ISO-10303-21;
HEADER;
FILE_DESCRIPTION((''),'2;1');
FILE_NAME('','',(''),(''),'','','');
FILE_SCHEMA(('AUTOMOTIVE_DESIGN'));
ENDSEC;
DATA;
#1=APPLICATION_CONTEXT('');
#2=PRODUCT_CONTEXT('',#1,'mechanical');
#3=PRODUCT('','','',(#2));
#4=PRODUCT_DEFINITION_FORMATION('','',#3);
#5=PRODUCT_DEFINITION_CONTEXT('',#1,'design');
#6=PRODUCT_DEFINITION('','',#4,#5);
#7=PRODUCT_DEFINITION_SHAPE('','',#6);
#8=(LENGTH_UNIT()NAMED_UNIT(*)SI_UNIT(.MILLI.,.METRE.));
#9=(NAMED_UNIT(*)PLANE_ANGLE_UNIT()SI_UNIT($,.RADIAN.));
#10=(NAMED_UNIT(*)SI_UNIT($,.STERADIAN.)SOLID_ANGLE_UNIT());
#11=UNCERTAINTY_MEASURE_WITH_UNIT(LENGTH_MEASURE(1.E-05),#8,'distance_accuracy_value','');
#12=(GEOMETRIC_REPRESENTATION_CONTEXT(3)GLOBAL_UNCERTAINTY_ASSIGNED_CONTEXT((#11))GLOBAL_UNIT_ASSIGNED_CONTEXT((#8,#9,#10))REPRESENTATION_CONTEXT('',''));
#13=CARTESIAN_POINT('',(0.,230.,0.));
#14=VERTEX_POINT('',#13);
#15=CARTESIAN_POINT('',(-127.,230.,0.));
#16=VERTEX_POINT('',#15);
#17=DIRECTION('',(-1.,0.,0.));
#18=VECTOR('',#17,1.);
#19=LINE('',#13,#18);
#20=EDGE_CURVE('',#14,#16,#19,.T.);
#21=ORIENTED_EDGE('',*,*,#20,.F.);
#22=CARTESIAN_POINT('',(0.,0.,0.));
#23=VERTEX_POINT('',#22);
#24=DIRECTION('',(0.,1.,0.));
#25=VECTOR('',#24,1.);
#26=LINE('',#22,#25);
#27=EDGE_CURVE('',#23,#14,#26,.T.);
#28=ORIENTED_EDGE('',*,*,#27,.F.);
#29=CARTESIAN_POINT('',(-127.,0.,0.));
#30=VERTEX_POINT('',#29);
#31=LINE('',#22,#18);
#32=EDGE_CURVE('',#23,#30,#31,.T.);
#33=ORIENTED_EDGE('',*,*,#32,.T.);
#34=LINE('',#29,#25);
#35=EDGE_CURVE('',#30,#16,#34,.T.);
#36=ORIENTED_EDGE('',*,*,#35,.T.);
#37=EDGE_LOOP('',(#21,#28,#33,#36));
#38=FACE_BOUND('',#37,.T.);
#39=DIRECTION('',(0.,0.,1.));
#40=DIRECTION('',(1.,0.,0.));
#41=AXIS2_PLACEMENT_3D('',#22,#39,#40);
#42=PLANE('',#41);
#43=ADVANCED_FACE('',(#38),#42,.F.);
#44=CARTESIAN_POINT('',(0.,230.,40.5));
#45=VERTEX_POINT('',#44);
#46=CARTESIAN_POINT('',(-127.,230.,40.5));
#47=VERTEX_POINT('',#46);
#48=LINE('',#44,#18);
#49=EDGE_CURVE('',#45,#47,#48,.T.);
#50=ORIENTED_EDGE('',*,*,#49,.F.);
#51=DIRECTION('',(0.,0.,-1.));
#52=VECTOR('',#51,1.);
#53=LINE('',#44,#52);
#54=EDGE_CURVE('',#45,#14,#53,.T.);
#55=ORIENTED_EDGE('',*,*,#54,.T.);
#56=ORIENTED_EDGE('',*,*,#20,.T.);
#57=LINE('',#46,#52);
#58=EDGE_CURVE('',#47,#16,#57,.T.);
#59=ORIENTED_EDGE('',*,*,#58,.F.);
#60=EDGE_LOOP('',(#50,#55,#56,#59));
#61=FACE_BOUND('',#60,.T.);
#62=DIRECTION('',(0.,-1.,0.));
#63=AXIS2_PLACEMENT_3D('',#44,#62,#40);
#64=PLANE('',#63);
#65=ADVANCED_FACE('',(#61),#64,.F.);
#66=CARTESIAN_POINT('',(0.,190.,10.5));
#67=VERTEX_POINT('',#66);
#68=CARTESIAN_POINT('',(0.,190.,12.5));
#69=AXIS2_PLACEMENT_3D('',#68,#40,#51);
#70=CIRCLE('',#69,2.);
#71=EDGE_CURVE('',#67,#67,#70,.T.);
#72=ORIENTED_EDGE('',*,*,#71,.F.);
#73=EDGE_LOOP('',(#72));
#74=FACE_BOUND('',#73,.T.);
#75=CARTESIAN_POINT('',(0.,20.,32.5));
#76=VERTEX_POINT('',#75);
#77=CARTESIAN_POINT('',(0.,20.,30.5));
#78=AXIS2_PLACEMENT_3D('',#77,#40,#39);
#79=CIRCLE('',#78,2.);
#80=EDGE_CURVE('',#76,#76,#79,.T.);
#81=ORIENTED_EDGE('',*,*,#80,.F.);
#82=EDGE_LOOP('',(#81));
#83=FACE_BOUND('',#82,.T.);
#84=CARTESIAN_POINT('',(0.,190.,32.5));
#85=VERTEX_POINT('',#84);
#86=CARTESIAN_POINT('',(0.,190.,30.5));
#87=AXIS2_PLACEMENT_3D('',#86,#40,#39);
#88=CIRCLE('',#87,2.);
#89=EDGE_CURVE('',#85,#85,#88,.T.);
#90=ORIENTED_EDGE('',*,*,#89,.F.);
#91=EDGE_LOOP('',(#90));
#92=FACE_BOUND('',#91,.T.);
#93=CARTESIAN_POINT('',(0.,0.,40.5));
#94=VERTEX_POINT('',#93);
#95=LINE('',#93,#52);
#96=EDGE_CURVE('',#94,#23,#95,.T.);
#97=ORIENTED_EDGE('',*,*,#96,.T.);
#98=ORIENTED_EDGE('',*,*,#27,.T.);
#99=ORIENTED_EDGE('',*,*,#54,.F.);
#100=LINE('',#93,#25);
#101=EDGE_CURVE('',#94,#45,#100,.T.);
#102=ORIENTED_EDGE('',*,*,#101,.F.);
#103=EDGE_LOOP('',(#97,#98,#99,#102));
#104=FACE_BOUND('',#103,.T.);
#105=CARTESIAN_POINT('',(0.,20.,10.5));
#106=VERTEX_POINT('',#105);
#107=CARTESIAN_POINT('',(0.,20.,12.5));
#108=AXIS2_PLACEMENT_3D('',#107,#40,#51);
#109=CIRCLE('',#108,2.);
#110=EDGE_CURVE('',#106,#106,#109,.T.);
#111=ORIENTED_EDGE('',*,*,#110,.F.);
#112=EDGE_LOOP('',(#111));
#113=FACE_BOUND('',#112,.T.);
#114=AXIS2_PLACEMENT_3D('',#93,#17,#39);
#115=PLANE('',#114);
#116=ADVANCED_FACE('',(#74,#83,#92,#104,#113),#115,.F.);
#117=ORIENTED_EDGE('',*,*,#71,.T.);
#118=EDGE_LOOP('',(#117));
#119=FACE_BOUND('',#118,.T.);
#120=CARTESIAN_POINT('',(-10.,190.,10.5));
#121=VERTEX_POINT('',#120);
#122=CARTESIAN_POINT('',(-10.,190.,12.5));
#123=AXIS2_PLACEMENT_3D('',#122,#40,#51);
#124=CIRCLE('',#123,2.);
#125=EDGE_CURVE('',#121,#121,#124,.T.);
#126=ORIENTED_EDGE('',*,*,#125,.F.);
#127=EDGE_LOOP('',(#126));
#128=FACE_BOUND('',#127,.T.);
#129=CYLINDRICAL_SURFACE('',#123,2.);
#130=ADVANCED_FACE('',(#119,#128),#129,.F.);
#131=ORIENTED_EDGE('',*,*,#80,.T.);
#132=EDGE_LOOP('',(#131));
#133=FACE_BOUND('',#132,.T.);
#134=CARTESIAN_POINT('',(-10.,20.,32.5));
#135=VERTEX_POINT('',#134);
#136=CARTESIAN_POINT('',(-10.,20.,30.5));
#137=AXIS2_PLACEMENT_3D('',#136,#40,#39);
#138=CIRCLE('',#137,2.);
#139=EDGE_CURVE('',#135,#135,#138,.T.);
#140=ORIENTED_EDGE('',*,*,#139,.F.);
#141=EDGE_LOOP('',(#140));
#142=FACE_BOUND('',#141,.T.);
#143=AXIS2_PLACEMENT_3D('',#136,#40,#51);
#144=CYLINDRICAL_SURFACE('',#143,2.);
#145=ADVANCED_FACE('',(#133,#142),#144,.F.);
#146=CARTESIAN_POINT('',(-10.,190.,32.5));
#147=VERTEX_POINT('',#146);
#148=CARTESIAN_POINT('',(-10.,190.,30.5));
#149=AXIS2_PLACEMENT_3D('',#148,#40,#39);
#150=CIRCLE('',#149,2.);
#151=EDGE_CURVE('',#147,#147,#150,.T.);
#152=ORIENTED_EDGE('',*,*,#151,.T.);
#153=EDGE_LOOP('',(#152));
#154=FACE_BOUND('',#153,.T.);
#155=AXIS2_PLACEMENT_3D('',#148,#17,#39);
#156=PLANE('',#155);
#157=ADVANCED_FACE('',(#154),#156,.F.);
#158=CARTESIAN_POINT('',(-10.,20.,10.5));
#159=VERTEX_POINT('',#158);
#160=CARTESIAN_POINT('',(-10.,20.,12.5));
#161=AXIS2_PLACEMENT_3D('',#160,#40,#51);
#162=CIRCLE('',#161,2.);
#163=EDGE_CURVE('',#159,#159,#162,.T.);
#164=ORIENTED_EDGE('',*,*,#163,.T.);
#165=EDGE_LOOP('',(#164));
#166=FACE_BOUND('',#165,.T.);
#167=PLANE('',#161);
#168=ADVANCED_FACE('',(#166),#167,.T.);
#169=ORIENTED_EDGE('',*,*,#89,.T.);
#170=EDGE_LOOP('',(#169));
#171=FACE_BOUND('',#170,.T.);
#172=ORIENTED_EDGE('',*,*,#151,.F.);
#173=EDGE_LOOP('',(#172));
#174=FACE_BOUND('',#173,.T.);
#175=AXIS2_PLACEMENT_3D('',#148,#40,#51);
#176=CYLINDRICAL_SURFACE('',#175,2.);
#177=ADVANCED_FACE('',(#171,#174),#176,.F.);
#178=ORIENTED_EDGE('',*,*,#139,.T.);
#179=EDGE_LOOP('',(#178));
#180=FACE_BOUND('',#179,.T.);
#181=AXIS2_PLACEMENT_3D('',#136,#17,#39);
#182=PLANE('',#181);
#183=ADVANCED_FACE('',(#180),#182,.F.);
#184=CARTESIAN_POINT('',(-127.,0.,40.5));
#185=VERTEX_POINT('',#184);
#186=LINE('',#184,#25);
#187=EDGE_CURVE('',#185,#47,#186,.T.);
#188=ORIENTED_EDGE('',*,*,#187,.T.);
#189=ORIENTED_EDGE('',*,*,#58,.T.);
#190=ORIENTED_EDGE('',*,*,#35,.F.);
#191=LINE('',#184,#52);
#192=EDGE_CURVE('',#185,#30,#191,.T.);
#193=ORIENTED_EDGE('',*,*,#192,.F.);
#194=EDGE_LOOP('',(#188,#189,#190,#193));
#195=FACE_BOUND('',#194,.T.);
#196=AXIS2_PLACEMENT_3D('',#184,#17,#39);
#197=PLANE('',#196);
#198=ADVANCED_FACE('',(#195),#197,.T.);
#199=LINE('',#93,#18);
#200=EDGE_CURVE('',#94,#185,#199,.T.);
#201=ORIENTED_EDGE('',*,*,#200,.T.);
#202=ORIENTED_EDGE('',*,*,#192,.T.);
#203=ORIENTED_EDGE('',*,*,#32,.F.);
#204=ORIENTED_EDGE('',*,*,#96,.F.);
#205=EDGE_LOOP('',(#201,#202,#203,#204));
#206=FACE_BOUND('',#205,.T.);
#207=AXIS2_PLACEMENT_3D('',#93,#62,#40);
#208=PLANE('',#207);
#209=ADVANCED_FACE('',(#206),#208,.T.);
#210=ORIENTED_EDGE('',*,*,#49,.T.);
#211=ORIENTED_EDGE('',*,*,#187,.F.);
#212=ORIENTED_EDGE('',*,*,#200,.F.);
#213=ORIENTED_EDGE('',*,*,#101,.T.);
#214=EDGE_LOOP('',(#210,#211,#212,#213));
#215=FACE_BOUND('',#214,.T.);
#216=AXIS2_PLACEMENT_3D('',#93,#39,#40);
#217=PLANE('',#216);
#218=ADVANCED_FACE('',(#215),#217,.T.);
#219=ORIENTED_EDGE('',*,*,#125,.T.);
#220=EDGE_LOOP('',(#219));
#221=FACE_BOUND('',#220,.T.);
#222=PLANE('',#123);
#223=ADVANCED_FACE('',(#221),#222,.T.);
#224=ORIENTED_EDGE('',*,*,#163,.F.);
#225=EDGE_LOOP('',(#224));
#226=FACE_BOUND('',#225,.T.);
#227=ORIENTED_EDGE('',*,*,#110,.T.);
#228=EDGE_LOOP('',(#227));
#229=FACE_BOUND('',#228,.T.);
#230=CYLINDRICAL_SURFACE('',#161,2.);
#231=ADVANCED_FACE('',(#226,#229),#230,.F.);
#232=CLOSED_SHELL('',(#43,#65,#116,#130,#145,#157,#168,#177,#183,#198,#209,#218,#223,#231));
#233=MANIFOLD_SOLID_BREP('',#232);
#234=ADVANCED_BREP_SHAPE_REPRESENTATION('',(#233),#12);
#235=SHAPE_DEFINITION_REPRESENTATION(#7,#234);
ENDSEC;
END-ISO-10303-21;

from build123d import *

# Parameters (mm, degrees)
CROQUIS1_W              = 127
CROQUIS1_H              = 230
SALIENTE_EXTRUIR2_DEPTH = 40.5
CROQUIS3_R              = 2
CORTAR_EXTRUIR1_DEPTH   = 10


with BuildPart() as part:
    # Croquis1 → Saliente-Extruir2 (new body)
    with BuildSketch(Plane.XY):
        with Locations((-63.5, 115)):
            Rectangle(CROQUIS1_W, CROQUIS1_H)
    extrude(amount=SALIENTE_EXTRUIR2_DEPTH)

    # Croquis3 → Cortar-Extruir1 (cut)
    with BuildSketch(Plane(origin=(0, 0, 0), x_dir=(0, 0, -1), z_dir=(1, 0, 0))):
        with Locations((-12.5, 190)):
            Circle(CROQUIS3_R)
        with Locations((-12.5, 20)):
            Circle(CROQUIS3_R)
        with Locations((-30.5, 190)):
            Circle(CROQUIS3_R)
        with Locations((-30.5, 20)):
            Circle(CROQUIS3_R)
    extrude(amount=-CORTAR_EXTRUIR1_DEPTH, mode=Mode.SUBTRACT)


solid = part.part
